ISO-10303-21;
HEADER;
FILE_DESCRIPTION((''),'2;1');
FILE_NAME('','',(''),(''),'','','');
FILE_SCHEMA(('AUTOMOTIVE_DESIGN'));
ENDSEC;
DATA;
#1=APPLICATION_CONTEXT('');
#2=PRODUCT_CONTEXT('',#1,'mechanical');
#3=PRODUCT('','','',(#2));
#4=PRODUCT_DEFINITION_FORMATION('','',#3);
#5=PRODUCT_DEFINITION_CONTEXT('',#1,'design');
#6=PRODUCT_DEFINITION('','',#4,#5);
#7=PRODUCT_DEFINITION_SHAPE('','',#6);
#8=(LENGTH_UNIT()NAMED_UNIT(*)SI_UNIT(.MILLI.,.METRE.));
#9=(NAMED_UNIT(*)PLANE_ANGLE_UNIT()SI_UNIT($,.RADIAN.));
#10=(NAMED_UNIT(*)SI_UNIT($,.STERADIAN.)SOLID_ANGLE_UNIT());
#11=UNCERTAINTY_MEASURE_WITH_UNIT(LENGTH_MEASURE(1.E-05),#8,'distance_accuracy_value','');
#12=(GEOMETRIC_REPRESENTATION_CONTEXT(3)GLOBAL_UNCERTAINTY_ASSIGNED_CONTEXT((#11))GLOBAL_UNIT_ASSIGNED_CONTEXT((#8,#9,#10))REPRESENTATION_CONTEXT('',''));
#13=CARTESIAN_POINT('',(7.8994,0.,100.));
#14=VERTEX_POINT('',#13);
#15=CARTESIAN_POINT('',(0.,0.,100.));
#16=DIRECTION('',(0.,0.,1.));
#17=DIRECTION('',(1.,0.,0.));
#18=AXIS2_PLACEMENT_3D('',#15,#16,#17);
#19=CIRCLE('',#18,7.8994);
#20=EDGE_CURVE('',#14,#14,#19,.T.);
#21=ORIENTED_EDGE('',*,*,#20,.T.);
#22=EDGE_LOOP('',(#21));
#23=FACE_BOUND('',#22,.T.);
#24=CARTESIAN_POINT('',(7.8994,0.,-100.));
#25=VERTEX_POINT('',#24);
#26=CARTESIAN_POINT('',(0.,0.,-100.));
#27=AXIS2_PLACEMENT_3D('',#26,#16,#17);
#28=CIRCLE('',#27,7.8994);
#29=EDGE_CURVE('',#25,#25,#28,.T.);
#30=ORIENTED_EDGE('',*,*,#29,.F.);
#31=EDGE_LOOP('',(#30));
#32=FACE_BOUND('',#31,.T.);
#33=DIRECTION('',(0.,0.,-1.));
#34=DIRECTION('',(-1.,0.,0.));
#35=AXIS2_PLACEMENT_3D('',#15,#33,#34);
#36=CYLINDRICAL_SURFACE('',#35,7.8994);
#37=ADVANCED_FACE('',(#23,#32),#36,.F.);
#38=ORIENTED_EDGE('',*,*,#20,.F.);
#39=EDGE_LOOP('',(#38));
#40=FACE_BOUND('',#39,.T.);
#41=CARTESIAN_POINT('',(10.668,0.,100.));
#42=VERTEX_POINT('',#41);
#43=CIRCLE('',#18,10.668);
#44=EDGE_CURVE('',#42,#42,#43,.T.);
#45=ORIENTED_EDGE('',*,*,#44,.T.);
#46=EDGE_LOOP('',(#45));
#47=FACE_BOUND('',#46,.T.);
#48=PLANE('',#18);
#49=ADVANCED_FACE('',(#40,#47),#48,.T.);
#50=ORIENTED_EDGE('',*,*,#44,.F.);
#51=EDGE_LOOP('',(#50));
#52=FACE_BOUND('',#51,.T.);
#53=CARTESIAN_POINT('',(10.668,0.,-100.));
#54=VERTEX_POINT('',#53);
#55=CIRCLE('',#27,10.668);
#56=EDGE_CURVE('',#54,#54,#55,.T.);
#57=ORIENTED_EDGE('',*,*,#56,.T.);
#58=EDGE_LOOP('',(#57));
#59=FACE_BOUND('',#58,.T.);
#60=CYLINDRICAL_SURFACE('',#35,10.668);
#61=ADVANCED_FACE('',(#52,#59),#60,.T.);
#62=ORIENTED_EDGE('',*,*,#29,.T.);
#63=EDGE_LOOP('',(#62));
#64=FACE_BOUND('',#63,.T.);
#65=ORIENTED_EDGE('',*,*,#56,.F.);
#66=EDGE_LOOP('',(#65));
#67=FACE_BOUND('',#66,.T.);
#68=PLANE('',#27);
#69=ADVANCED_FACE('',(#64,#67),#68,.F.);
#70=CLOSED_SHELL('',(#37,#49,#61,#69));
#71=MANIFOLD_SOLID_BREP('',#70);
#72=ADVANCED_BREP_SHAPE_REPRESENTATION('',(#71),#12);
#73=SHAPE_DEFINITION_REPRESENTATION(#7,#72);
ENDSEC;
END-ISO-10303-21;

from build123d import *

# Parameters (mm, degrees)
SKETCH1_R           = 10.668
SKETCH1_R_2         = 7.8994
EXTRUDE_THIN1_DEPTH = 100


with BuildPart() as part:
    # Sketch1 → Extrude-Thin1 (new, symmetric)
    with BuildSketch(Plane.XY):
        Circle(SKETCH1_R)
        Circle(SKETCH1_R_2, mode=Mode.SUBTRACT)
    extrude(amount=EXTRUDE_THIN1_DEPTH, both=True)


solid = part.part
